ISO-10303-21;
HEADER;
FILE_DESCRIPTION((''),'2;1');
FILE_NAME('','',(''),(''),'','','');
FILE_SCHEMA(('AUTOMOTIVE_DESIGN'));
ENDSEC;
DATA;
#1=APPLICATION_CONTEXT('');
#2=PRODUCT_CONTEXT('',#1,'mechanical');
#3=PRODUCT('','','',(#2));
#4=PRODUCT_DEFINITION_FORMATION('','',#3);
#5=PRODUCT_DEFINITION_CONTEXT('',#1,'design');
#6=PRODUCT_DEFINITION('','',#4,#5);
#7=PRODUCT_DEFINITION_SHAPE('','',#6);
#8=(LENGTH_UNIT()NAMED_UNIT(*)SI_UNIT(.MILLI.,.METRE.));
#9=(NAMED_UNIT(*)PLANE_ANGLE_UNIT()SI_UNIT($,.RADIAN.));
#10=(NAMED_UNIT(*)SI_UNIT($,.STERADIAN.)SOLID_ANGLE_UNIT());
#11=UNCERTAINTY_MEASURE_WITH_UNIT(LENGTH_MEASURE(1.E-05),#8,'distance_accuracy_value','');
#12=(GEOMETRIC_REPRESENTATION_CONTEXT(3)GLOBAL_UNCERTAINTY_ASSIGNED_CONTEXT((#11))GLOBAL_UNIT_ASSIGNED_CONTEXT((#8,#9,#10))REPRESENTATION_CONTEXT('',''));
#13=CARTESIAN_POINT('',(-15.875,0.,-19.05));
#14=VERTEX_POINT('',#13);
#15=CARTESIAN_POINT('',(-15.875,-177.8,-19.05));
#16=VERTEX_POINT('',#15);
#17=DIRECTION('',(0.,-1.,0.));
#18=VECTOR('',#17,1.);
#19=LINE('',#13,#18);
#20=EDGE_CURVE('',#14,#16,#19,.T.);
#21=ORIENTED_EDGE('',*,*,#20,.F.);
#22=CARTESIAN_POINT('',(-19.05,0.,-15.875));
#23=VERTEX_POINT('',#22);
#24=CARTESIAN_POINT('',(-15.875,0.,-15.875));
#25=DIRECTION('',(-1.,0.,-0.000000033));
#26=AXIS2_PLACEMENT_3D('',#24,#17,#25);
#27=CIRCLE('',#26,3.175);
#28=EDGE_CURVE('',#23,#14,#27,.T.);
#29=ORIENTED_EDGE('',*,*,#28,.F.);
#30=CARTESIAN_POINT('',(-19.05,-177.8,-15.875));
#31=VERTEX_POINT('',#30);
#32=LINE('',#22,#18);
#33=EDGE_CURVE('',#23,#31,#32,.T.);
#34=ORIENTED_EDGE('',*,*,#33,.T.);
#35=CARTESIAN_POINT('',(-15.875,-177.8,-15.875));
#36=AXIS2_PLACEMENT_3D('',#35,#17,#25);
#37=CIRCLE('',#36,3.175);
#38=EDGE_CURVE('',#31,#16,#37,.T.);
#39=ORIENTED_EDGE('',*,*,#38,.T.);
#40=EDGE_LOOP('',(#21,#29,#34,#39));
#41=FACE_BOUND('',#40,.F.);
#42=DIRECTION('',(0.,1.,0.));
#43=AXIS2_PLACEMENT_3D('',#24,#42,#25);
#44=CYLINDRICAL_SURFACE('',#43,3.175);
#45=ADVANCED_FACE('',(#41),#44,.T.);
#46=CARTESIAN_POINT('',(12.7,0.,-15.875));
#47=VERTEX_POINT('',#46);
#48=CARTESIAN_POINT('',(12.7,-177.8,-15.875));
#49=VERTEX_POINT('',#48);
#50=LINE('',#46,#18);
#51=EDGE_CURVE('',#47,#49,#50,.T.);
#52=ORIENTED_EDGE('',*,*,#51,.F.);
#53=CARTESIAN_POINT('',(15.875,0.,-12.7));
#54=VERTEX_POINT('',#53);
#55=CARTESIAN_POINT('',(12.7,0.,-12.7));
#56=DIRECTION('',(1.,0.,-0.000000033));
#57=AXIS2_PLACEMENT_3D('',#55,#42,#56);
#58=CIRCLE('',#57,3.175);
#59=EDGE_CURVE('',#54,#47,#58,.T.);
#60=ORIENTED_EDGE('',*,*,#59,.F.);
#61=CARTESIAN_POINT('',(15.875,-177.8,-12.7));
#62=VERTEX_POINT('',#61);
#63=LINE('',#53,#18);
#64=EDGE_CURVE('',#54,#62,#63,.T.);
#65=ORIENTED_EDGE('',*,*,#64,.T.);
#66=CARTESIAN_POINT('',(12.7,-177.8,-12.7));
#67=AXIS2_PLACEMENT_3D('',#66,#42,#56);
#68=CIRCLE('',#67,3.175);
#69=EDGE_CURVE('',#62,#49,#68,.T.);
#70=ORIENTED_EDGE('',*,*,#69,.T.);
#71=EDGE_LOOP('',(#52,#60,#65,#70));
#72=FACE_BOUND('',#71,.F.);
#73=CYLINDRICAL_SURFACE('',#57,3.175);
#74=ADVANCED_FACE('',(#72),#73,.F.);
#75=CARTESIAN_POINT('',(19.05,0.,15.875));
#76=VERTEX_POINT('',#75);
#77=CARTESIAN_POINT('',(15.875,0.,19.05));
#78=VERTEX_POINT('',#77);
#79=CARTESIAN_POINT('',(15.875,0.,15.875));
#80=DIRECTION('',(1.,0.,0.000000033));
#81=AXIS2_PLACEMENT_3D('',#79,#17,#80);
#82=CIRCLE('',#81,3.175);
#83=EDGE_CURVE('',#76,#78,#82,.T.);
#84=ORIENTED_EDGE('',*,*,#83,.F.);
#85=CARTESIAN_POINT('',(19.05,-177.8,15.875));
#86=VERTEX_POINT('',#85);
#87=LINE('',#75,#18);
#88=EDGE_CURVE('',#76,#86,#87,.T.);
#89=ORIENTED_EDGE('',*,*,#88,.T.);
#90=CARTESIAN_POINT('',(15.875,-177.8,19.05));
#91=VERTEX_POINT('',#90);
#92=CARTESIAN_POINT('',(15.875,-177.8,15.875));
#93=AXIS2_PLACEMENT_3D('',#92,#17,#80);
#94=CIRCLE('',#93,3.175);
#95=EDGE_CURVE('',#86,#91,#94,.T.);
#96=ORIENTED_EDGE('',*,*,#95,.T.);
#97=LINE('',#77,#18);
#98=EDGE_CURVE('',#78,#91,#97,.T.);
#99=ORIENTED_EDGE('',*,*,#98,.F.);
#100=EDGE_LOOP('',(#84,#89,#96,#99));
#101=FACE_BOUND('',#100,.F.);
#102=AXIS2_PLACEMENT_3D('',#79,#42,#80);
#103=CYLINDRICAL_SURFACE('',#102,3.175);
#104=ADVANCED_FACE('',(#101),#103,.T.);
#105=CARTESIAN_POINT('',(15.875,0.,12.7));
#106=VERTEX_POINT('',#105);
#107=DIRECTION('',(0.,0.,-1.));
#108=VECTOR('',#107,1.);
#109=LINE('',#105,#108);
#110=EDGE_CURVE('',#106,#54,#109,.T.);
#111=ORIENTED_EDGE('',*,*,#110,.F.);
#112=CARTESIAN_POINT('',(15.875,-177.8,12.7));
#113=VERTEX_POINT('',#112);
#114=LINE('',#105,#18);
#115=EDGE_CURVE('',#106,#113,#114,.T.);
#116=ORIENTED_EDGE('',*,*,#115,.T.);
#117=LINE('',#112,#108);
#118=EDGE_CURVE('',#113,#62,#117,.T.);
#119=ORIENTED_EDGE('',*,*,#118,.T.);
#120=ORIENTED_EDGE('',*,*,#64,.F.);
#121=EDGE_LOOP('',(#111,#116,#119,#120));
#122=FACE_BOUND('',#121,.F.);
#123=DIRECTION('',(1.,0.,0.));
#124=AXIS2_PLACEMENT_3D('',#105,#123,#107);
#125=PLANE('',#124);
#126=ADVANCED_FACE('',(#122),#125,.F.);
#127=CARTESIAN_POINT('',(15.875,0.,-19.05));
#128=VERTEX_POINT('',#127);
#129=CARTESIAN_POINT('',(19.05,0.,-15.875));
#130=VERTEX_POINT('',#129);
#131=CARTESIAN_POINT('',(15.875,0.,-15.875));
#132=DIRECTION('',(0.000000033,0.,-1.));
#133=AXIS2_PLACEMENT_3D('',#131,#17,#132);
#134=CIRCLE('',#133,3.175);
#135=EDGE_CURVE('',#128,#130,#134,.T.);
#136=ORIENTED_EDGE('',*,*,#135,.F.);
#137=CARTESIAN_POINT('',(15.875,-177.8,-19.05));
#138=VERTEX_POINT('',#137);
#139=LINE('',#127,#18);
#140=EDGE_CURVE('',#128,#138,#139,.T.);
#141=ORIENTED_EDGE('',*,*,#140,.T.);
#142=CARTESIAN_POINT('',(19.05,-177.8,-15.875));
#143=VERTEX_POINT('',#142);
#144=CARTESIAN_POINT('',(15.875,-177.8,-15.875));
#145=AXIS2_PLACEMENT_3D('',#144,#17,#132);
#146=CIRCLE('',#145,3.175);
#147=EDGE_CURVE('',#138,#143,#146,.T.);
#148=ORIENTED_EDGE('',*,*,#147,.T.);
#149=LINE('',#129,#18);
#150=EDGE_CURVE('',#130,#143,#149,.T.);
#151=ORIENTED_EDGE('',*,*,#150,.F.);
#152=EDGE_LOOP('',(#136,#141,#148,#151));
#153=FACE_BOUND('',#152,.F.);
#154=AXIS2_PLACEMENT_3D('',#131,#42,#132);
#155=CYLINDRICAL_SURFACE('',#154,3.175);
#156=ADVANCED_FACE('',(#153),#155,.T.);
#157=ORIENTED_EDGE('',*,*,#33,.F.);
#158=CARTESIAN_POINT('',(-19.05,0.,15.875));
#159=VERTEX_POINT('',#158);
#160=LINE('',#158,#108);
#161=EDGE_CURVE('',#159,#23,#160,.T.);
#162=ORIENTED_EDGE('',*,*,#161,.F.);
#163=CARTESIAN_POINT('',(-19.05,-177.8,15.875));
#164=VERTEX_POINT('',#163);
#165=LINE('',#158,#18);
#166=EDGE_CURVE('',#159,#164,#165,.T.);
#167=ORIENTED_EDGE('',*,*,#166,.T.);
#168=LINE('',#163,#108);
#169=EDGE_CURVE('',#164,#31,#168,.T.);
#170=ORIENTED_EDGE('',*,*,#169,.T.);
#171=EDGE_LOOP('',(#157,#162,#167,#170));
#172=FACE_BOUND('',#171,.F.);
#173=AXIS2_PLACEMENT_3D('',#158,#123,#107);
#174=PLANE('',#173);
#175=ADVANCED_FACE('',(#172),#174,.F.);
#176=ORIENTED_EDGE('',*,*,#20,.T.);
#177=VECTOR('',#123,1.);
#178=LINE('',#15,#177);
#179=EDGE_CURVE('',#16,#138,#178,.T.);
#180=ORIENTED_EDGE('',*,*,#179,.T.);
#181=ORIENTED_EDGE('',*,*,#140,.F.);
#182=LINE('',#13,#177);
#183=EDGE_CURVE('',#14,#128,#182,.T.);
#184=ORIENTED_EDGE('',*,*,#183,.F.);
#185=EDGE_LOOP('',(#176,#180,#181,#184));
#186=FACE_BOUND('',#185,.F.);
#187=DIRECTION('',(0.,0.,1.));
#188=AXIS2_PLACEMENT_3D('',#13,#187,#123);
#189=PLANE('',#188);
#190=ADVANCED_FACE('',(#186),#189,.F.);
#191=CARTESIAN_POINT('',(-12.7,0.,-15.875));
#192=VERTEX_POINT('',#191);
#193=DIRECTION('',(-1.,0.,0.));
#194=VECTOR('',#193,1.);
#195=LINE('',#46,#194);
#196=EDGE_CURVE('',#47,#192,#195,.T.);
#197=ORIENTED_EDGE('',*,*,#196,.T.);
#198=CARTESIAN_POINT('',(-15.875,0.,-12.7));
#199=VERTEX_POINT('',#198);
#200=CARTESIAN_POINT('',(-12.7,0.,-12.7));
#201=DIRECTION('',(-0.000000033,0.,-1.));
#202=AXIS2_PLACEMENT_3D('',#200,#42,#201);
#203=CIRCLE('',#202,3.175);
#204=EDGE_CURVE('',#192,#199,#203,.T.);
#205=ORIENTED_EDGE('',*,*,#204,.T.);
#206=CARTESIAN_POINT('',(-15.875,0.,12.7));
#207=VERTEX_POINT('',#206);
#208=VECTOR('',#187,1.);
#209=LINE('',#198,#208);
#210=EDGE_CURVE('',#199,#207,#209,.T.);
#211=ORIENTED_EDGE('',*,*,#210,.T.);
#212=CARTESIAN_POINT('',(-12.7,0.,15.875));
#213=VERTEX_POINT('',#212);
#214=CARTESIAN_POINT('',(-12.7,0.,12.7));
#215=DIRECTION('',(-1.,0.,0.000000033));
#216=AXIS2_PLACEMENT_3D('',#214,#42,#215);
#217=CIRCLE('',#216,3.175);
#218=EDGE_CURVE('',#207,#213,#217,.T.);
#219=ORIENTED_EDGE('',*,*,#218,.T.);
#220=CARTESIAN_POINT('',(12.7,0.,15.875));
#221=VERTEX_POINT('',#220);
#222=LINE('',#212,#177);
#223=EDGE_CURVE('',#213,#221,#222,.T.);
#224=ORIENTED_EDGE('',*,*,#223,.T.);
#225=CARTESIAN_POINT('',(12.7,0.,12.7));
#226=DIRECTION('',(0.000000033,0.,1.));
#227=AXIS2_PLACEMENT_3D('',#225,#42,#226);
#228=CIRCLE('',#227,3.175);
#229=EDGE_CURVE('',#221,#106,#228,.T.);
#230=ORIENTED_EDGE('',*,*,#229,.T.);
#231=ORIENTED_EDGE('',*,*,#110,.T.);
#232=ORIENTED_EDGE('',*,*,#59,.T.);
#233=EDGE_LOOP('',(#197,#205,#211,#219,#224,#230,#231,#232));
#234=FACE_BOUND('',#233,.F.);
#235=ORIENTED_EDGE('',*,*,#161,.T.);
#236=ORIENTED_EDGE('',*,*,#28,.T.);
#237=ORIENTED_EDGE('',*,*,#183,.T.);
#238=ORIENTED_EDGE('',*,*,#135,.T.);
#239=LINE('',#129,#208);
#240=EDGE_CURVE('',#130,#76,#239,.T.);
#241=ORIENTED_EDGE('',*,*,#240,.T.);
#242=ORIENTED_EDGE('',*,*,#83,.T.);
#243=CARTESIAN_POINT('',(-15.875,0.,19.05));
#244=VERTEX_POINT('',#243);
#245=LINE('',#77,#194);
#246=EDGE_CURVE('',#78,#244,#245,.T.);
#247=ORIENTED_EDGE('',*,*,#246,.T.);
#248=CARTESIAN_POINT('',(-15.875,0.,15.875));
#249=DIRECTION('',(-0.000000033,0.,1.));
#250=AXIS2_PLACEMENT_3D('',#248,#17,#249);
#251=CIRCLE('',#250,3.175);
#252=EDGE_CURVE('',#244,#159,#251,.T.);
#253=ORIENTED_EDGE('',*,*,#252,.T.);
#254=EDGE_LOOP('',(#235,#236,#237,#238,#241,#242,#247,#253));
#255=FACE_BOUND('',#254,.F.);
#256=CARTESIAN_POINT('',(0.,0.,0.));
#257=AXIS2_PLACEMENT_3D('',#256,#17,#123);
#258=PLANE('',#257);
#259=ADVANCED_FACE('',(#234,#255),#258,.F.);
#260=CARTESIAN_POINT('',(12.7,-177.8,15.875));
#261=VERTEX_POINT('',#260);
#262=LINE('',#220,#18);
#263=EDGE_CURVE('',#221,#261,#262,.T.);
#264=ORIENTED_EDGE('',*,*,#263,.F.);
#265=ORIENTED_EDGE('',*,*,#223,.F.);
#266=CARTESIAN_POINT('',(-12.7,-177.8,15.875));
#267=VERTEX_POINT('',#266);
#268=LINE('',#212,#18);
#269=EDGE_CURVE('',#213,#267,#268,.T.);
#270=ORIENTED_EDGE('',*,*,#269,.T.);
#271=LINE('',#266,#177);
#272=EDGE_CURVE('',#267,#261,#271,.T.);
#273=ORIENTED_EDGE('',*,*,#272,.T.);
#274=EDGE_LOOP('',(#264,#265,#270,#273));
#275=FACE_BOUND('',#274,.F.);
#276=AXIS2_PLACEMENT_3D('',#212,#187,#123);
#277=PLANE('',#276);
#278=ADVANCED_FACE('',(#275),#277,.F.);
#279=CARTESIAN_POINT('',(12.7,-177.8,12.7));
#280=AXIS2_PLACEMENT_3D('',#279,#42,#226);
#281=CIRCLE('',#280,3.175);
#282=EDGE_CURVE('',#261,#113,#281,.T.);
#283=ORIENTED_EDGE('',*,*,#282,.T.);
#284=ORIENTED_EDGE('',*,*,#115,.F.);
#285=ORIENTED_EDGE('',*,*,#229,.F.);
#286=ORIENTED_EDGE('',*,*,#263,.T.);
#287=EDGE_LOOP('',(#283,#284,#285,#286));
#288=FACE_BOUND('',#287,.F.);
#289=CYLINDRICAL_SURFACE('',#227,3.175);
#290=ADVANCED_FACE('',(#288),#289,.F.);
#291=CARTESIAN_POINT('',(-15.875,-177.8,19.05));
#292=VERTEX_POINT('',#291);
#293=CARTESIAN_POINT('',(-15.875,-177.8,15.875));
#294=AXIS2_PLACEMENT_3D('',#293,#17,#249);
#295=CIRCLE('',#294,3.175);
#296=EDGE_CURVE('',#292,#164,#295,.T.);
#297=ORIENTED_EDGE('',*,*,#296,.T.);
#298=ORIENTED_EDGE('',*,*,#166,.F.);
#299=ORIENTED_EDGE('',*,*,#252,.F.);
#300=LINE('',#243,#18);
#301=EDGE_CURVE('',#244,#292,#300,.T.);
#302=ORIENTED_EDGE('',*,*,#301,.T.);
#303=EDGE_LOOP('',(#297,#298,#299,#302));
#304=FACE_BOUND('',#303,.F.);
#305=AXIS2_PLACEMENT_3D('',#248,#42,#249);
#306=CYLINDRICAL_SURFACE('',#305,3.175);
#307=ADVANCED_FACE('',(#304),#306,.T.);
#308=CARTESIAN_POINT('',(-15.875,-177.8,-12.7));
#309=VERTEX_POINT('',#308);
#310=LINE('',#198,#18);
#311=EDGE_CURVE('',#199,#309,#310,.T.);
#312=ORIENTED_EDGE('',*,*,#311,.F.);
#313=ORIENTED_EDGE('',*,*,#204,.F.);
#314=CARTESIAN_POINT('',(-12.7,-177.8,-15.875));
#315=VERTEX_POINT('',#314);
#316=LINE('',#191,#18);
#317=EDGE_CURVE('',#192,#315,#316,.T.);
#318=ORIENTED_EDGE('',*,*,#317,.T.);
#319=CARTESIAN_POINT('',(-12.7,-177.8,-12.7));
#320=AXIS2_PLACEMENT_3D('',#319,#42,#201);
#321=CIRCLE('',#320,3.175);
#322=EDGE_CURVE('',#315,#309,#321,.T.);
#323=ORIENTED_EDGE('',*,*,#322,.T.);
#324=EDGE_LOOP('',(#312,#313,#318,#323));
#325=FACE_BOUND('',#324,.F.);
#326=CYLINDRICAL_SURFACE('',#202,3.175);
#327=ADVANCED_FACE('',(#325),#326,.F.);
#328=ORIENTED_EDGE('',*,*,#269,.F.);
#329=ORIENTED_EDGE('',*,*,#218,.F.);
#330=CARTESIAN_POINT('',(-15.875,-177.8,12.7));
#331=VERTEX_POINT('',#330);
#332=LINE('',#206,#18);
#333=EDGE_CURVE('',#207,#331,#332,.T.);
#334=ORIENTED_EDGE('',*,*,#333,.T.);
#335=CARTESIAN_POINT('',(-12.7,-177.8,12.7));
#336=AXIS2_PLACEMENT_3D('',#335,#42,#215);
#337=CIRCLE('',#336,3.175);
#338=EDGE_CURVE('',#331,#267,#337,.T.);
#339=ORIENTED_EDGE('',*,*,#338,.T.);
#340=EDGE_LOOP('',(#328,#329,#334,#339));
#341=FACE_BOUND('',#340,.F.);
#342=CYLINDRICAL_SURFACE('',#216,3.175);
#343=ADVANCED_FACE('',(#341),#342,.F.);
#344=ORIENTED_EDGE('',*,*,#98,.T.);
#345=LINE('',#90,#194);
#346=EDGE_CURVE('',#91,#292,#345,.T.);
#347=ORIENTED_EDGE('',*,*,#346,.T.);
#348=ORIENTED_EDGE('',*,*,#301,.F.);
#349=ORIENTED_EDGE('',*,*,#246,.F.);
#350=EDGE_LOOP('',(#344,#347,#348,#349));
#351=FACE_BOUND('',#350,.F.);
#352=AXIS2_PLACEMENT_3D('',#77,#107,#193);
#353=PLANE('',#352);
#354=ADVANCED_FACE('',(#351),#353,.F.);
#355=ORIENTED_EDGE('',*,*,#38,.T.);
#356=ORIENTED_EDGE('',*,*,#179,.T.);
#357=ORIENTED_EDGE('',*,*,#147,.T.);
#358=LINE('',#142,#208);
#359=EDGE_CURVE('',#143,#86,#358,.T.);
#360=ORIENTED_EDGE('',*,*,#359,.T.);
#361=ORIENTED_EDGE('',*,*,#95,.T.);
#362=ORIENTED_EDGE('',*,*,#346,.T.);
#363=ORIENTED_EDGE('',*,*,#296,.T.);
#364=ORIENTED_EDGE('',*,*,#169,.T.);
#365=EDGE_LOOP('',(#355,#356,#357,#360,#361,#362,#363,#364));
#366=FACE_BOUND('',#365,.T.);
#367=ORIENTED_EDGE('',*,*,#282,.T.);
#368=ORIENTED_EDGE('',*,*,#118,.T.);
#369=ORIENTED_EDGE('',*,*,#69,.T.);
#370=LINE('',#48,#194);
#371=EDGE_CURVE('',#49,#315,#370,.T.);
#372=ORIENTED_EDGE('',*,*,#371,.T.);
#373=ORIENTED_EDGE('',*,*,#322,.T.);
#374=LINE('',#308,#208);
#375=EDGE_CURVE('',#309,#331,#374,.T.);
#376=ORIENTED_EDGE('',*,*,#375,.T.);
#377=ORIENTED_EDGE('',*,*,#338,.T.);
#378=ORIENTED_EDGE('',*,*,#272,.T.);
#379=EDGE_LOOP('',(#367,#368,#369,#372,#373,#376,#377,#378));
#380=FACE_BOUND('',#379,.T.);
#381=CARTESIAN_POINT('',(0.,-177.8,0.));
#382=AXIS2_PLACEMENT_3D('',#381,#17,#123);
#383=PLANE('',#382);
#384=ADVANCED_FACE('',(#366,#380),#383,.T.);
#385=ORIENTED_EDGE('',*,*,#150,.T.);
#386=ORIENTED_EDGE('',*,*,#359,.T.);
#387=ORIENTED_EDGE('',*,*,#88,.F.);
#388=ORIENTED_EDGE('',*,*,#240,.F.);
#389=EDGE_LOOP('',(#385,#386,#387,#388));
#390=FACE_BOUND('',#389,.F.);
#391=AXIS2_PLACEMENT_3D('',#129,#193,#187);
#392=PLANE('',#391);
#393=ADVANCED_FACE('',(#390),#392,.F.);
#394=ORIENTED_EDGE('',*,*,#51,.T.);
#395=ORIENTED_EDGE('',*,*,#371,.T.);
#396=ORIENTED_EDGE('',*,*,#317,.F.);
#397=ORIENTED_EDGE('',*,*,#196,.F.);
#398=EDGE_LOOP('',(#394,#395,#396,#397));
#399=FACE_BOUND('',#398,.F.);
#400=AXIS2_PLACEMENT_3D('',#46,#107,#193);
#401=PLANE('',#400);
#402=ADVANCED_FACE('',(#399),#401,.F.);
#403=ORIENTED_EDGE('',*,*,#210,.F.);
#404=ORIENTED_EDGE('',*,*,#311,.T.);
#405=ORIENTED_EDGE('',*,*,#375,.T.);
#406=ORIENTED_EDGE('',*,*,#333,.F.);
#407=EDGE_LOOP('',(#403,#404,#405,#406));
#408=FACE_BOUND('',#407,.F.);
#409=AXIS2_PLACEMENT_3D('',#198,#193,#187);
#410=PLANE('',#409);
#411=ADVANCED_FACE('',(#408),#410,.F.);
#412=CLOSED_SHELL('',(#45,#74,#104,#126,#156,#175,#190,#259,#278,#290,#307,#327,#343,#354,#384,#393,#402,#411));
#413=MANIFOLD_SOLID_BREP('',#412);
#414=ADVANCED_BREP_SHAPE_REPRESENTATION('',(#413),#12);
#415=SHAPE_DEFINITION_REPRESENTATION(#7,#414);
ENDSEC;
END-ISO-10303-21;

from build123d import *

# Parameters (mm, degrees)
F1_DEPTH = 177.8


with BuildPart() as f1:
    # F0 (on Front) → F1 (new body)
    with BuildSketch(Plane.XZ):
        with BuildLine():
            ThreePointArc((19.05, 15.875), (18.120064, 18.120064), (15.875, 19.05))
            Line((15.875, 19.05), (-15.875, 19.05))
            ThreePointArc((-15.875, 19.05), (-18.120064, 18.120064), (-19.05, 15.875))
            Line((-19.05, 15.875), (-19.05, -15.875))
            ThreePointArc((-19.05, -15.875), (-18.120064, -18.120064), (-15.875, -19.05))
            Line((-15.875, -19.05), (15.875, -19.05))
            ThreePointArc((15.875, -19.05), (18.120064, -18.120064), (19.05, -15.875))
            Line((19.05, -15.875), (19.05, 15.875))
        make_face()
        with BuildLine():
            Line((-12.7, 15.875), (12.7, 15.875))
            ThreePointArc((12.7, 15.875), (14.945064, 14.945064), (15.875, 12.7))
            Line((15.875, 12.7), (15.875, -12.7))
            ThreePointArc((15.875, -12.7), (14.945064, -14.945064), (12.7, -15.875))
            Line((12.7, -15.875), (-12.7, -15.875))
            ThreePointArc((-12.7, -15.875), (-14.945064, -14.945064), (-15.875, -12.7))
            Line((-15.875, -12.7), (-15.875, 12.7))
            ThreePointArc((-15.875, 12.7), (-14.945064, 14.945064), (-12.7, 15.875))
        make_face(mode=Mode.SUBTRACT)
    extrude(amount=F1_DEPTH)


solid = f1.part
